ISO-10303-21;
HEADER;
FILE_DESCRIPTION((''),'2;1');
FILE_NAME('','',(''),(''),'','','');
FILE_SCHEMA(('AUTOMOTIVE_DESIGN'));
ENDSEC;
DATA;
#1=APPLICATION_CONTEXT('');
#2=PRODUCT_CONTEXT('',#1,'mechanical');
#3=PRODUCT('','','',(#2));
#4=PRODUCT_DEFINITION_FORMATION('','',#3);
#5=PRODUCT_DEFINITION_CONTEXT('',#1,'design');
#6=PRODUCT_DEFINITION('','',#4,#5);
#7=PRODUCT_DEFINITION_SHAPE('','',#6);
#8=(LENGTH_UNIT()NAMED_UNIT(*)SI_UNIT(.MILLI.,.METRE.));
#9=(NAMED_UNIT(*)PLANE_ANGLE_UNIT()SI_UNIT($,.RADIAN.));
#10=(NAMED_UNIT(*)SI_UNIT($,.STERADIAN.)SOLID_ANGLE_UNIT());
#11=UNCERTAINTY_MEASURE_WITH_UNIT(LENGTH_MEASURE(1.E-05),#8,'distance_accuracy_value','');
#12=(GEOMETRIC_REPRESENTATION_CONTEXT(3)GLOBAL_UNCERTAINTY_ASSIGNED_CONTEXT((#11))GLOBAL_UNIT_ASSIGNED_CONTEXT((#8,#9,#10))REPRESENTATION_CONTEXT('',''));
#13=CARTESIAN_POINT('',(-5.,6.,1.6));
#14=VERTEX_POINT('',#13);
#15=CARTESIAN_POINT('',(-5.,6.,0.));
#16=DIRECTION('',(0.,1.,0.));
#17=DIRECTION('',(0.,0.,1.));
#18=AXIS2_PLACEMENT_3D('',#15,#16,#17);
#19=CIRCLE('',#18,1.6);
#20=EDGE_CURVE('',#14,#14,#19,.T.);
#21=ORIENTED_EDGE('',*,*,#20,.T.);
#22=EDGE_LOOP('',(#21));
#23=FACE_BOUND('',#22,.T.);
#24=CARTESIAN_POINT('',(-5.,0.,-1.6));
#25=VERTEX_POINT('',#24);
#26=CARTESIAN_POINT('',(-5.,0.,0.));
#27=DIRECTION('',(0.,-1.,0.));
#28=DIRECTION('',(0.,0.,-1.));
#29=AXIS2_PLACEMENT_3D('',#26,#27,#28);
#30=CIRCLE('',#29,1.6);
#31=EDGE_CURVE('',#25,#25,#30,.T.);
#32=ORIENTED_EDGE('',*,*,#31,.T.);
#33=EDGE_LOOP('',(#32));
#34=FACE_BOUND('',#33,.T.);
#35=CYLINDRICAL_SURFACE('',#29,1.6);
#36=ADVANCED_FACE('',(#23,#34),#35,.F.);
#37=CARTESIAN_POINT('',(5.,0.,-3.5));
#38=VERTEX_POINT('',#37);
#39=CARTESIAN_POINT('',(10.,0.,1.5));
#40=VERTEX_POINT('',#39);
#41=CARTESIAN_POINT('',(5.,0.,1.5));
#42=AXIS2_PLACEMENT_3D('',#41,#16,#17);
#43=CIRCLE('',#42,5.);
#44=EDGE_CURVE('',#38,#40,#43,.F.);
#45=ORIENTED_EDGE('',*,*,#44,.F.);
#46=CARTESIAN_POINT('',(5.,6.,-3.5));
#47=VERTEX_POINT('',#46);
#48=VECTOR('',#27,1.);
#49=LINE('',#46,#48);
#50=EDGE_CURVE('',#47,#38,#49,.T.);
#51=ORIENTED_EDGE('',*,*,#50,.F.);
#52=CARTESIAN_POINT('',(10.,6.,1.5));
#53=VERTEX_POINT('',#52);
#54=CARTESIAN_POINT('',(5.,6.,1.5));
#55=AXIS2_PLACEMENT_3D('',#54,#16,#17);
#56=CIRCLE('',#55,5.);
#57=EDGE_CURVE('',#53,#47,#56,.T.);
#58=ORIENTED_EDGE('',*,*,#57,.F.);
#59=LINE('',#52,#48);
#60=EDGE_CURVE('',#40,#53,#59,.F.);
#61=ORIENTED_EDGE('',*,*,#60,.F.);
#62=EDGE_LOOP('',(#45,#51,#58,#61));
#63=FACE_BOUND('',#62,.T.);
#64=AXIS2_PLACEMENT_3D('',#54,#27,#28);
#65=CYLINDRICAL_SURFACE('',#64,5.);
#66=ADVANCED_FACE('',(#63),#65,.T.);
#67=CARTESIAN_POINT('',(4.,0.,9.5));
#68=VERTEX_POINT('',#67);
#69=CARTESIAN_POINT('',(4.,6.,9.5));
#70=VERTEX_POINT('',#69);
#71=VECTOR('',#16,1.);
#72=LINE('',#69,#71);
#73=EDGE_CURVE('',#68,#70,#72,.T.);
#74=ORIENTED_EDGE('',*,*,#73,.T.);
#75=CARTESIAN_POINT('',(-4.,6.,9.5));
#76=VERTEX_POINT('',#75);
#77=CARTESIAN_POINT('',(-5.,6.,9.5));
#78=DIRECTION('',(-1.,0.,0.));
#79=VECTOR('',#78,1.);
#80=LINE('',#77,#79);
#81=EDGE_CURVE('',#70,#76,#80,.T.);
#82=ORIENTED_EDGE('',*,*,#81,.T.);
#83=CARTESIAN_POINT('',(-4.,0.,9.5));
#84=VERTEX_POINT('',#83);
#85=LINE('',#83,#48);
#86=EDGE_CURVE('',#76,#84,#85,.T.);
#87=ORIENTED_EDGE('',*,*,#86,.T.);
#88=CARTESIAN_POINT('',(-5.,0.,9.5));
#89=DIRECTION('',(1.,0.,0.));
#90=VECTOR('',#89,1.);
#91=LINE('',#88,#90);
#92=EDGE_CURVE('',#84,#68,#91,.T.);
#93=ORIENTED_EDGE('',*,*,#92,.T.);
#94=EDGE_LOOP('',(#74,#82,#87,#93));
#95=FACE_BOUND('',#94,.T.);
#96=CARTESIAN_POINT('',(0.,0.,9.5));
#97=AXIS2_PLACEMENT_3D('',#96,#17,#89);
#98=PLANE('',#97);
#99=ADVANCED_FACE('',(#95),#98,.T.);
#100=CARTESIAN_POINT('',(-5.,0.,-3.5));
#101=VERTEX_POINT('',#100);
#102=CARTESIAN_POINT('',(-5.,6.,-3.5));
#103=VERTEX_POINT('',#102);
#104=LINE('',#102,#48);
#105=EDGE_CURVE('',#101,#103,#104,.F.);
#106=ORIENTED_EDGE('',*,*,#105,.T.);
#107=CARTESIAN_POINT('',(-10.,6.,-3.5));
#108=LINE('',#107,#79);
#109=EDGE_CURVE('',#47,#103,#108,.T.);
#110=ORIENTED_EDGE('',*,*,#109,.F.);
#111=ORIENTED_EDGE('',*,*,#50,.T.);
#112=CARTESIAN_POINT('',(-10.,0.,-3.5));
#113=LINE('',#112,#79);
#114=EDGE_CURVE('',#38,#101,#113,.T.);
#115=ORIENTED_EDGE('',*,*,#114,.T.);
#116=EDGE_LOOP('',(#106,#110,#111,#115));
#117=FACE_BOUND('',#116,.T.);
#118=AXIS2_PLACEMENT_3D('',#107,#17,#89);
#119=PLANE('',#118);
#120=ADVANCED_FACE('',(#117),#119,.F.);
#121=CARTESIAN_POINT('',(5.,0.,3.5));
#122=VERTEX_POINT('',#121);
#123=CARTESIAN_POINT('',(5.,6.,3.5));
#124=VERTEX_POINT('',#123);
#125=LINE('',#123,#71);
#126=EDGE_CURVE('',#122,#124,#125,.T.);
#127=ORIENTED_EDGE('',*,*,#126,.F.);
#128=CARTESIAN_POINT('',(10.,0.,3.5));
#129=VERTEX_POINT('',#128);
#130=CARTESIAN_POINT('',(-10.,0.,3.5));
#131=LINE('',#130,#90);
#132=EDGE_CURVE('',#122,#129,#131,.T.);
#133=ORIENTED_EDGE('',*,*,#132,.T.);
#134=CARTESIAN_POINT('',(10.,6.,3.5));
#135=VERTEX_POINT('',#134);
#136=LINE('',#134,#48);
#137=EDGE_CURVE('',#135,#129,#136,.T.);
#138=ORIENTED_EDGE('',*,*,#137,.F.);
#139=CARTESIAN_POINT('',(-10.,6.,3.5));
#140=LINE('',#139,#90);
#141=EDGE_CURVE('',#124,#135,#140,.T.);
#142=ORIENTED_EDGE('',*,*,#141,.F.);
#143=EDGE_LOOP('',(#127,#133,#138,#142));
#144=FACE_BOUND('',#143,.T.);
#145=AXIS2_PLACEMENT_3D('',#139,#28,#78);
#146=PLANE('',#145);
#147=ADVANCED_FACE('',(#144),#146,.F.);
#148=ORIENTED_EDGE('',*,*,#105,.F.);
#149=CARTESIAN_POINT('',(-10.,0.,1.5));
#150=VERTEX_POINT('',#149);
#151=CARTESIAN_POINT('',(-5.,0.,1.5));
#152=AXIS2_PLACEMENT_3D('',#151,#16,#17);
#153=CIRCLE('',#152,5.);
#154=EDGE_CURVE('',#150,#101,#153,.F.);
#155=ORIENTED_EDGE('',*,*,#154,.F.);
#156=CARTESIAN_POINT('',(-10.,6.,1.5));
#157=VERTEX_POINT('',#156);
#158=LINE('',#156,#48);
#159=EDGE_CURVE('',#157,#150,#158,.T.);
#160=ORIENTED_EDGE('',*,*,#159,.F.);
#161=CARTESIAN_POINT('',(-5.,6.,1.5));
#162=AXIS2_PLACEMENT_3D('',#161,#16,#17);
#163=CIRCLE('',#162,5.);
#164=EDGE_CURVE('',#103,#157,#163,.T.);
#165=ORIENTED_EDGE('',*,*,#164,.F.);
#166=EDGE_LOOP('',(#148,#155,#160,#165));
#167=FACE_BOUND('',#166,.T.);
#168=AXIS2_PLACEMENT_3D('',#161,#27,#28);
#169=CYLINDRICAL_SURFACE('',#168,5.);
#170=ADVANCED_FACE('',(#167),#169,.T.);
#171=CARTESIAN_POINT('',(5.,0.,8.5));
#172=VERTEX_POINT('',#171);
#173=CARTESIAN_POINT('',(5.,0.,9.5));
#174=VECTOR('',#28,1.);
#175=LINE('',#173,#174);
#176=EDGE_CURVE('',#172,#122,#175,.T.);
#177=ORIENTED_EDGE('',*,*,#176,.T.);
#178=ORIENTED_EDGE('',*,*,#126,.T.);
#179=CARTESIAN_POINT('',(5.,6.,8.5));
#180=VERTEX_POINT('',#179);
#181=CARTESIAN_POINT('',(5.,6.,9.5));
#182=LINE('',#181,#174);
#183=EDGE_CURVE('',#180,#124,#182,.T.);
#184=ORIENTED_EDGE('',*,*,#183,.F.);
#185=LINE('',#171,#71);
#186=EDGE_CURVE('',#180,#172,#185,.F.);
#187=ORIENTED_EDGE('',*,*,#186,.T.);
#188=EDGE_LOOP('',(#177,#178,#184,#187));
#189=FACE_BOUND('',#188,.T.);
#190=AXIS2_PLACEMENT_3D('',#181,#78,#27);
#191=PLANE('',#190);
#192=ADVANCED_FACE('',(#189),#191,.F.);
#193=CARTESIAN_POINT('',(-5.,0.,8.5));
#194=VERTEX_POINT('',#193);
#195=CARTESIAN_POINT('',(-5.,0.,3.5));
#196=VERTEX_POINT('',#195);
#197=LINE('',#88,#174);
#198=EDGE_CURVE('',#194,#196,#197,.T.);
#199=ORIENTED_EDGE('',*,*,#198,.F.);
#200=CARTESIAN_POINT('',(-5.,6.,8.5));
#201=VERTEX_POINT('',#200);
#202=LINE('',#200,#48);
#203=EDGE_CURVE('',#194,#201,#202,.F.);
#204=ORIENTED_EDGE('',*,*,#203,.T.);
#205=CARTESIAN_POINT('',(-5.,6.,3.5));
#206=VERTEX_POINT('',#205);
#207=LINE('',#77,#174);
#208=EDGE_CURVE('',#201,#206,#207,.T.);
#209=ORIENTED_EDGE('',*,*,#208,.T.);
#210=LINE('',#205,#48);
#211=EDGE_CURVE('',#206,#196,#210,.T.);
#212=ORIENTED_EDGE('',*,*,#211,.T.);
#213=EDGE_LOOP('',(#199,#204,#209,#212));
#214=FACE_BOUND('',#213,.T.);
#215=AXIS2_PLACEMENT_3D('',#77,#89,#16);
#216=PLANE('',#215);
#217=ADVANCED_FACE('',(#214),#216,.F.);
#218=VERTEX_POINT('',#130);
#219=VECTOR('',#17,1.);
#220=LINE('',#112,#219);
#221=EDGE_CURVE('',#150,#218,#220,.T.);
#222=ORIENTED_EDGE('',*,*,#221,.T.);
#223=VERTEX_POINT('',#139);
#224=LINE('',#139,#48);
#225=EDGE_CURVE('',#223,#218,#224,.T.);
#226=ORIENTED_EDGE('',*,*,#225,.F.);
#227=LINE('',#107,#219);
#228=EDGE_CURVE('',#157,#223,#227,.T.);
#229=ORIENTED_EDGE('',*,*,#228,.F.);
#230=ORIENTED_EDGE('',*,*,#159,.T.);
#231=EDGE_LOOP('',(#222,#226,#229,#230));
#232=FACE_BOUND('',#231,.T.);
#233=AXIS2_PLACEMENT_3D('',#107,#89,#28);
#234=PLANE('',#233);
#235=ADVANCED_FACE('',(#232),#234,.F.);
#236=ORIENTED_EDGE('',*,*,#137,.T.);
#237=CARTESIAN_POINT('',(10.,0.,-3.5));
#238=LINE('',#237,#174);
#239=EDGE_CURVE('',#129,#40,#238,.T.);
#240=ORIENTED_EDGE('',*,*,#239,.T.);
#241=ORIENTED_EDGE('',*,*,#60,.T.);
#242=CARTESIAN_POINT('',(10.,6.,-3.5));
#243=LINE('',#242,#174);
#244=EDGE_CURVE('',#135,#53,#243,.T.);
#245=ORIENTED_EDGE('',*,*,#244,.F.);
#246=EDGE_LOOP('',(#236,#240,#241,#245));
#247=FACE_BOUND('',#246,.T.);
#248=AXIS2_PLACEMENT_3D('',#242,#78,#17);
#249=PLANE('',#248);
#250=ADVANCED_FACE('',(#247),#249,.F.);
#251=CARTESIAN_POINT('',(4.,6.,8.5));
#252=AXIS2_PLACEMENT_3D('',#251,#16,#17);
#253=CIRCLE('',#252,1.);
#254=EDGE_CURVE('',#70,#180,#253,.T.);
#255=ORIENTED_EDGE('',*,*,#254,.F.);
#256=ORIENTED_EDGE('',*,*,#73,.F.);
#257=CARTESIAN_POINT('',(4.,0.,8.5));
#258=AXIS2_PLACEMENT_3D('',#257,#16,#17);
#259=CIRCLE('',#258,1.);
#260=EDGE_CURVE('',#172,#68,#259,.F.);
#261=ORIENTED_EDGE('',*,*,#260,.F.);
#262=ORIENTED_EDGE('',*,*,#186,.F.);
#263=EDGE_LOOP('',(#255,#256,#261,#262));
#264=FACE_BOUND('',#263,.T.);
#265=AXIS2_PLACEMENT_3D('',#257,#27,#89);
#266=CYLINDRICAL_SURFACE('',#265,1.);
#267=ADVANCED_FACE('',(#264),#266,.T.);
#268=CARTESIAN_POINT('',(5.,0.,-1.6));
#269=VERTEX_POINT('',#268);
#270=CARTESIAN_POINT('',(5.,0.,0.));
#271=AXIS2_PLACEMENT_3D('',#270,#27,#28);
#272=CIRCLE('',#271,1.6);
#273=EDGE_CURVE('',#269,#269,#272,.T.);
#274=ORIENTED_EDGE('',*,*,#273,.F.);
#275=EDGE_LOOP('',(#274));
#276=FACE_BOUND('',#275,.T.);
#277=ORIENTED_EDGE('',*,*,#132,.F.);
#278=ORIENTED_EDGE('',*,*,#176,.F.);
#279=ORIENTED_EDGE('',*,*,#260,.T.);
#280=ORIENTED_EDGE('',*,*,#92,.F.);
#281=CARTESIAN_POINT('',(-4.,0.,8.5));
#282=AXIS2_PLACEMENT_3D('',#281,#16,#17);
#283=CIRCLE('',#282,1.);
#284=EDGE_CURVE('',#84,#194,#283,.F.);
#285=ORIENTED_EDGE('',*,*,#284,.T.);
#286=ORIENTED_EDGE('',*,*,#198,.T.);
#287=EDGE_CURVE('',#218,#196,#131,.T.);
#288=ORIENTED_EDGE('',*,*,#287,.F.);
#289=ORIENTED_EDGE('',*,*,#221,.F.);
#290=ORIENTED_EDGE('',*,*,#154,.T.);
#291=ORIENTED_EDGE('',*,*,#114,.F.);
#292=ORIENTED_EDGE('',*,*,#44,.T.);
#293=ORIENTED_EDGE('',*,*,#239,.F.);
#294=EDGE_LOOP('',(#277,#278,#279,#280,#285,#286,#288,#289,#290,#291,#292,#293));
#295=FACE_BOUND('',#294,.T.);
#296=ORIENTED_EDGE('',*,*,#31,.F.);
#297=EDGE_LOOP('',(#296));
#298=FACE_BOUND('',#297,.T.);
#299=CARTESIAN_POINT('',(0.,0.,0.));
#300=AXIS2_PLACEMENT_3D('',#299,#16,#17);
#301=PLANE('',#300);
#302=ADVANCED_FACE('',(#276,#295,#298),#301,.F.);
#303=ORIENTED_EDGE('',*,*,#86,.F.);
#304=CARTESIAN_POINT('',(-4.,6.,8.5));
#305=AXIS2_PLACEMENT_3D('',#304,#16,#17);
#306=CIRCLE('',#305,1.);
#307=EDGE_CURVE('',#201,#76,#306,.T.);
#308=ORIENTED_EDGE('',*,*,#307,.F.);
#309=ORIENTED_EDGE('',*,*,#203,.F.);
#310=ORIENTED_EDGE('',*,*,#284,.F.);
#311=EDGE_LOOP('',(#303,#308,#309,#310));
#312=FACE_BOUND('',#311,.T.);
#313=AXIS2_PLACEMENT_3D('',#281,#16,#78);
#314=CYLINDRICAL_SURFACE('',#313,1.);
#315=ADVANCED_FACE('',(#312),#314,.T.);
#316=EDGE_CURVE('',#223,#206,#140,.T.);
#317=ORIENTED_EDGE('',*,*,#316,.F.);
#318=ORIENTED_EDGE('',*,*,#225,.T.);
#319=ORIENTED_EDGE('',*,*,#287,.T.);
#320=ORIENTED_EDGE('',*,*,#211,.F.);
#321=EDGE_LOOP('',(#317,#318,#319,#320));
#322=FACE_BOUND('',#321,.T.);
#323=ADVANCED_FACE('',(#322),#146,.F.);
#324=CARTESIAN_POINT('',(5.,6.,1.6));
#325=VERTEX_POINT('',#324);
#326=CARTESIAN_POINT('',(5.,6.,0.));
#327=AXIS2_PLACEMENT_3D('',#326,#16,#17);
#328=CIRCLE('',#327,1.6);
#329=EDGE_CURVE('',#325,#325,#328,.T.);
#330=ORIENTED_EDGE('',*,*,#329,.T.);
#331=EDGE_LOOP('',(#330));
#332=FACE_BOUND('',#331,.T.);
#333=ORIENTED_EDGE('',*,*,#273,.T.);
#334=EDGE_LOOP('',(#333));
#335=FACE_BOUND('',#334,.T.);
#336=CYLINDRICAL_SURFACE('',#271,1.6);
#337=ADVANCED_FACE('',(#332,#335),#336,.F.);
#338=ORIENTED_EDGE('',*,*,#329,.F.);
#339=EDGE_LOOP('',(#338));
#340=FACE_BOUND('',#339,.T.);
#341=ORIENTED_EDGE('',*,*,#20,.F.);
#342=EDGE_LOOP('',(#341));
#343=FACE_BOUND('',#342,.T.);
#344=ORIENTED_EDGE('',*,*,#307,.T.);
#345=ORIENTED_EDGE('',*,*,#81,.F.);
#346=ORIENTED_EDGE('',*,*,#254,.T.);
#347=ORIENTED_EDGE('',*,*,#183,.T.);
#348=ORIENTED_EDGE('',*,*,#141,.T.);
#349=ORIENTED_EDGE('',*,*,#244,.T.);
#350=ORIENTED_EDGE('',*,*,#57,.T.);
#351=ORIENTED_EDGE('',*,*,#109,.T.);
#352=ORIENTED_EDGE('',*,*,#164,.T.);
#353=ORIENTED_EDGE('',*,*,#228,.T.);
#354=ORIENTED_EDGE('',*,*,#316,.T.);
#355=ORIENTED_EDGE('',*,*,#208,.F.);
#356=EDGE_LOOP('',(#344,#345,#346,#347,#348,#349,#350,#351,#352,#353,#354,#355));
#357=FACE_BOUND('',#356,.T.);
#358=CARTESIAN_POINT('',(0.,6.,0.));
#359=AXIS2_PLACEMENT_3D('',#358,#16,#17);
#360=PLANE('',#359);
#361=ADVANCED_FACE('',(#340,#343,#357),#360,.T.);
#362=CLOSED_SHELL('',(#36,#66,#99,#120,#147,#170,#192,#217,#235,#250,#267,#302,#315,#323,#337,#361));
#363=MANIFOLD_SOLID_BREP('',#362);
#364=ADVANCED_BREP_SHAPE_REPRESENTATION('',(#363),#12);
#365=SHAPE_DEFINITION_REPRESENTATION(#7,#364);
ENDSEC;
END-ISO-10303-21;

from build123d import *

# Parameters (mm, degrees)
SKETCH1_W             = 20
SKETCH1_H             = 7
BOSS_EXTRUDE1_DEPTH   = 6
SKETCH234_W           = 10
SKETCH234_H           = 6
BOSS_EXTRUDE234_DEPTH = 6
FILLET134_R           = 1
M3_CLEARANCE_HOLE1_D  = 3.2
FILLET135_R           = 5


with BuildPart() as part:
    # Sketch1 → Boss-Extrude1 (new body)
    with BuildSketch(Plane(origin=(0, 0, 0), x_dir=(1, 0, 0), z_dir=(0, 1, 0))):
        Rectangle(SKETCH1_W, SKETCH1_H)
    extrude(amount=BOSS_EXTRUDE1_DEPTH)

    # Sketch234 → Boss-Extrude234 (add)
    with BuildSketch(Plane(origin=(-0.767778608, 0, 3.5), x_dir=(1, 0, 0), z_dir=(0, 0, 1))):
        with Locations((0.767778608, 3)):
            Rectangle(SKETCH234_W, SKETCH234_H)
    extrude(amount=BOSS_EXTRUDE234_DEPTH)

    # Fillet134
    fillet134_edges = [part.edges().sort_by_distance(p)[0] for p in [
        (-5, 3, 9.5),
        (5, 3, 9.5),
    ]]
    fillet(fillet134_edges, radius=FILLET134_R)

    # M3 Clearance Hole1 (through all)
    with Locations(Plane(origin=(0, 0, 0), x_dir=(-1, 0, 0), z_dir=(0, -1, 0))):
        with Locations((5, 0), (-5, 0)):
            Hole(M3_CLEARANCE_HOLE1_D / 2)

    # Fillet135
    fillet135_edges = [part.edges().sort_by_distance(p)[0] for p in [
        (-10, 3, -3.5),
        (10, 3, -3.5),
    ]]
    fillet(fillet135_edges, radius=FILLET135_R)


solid = part.part
